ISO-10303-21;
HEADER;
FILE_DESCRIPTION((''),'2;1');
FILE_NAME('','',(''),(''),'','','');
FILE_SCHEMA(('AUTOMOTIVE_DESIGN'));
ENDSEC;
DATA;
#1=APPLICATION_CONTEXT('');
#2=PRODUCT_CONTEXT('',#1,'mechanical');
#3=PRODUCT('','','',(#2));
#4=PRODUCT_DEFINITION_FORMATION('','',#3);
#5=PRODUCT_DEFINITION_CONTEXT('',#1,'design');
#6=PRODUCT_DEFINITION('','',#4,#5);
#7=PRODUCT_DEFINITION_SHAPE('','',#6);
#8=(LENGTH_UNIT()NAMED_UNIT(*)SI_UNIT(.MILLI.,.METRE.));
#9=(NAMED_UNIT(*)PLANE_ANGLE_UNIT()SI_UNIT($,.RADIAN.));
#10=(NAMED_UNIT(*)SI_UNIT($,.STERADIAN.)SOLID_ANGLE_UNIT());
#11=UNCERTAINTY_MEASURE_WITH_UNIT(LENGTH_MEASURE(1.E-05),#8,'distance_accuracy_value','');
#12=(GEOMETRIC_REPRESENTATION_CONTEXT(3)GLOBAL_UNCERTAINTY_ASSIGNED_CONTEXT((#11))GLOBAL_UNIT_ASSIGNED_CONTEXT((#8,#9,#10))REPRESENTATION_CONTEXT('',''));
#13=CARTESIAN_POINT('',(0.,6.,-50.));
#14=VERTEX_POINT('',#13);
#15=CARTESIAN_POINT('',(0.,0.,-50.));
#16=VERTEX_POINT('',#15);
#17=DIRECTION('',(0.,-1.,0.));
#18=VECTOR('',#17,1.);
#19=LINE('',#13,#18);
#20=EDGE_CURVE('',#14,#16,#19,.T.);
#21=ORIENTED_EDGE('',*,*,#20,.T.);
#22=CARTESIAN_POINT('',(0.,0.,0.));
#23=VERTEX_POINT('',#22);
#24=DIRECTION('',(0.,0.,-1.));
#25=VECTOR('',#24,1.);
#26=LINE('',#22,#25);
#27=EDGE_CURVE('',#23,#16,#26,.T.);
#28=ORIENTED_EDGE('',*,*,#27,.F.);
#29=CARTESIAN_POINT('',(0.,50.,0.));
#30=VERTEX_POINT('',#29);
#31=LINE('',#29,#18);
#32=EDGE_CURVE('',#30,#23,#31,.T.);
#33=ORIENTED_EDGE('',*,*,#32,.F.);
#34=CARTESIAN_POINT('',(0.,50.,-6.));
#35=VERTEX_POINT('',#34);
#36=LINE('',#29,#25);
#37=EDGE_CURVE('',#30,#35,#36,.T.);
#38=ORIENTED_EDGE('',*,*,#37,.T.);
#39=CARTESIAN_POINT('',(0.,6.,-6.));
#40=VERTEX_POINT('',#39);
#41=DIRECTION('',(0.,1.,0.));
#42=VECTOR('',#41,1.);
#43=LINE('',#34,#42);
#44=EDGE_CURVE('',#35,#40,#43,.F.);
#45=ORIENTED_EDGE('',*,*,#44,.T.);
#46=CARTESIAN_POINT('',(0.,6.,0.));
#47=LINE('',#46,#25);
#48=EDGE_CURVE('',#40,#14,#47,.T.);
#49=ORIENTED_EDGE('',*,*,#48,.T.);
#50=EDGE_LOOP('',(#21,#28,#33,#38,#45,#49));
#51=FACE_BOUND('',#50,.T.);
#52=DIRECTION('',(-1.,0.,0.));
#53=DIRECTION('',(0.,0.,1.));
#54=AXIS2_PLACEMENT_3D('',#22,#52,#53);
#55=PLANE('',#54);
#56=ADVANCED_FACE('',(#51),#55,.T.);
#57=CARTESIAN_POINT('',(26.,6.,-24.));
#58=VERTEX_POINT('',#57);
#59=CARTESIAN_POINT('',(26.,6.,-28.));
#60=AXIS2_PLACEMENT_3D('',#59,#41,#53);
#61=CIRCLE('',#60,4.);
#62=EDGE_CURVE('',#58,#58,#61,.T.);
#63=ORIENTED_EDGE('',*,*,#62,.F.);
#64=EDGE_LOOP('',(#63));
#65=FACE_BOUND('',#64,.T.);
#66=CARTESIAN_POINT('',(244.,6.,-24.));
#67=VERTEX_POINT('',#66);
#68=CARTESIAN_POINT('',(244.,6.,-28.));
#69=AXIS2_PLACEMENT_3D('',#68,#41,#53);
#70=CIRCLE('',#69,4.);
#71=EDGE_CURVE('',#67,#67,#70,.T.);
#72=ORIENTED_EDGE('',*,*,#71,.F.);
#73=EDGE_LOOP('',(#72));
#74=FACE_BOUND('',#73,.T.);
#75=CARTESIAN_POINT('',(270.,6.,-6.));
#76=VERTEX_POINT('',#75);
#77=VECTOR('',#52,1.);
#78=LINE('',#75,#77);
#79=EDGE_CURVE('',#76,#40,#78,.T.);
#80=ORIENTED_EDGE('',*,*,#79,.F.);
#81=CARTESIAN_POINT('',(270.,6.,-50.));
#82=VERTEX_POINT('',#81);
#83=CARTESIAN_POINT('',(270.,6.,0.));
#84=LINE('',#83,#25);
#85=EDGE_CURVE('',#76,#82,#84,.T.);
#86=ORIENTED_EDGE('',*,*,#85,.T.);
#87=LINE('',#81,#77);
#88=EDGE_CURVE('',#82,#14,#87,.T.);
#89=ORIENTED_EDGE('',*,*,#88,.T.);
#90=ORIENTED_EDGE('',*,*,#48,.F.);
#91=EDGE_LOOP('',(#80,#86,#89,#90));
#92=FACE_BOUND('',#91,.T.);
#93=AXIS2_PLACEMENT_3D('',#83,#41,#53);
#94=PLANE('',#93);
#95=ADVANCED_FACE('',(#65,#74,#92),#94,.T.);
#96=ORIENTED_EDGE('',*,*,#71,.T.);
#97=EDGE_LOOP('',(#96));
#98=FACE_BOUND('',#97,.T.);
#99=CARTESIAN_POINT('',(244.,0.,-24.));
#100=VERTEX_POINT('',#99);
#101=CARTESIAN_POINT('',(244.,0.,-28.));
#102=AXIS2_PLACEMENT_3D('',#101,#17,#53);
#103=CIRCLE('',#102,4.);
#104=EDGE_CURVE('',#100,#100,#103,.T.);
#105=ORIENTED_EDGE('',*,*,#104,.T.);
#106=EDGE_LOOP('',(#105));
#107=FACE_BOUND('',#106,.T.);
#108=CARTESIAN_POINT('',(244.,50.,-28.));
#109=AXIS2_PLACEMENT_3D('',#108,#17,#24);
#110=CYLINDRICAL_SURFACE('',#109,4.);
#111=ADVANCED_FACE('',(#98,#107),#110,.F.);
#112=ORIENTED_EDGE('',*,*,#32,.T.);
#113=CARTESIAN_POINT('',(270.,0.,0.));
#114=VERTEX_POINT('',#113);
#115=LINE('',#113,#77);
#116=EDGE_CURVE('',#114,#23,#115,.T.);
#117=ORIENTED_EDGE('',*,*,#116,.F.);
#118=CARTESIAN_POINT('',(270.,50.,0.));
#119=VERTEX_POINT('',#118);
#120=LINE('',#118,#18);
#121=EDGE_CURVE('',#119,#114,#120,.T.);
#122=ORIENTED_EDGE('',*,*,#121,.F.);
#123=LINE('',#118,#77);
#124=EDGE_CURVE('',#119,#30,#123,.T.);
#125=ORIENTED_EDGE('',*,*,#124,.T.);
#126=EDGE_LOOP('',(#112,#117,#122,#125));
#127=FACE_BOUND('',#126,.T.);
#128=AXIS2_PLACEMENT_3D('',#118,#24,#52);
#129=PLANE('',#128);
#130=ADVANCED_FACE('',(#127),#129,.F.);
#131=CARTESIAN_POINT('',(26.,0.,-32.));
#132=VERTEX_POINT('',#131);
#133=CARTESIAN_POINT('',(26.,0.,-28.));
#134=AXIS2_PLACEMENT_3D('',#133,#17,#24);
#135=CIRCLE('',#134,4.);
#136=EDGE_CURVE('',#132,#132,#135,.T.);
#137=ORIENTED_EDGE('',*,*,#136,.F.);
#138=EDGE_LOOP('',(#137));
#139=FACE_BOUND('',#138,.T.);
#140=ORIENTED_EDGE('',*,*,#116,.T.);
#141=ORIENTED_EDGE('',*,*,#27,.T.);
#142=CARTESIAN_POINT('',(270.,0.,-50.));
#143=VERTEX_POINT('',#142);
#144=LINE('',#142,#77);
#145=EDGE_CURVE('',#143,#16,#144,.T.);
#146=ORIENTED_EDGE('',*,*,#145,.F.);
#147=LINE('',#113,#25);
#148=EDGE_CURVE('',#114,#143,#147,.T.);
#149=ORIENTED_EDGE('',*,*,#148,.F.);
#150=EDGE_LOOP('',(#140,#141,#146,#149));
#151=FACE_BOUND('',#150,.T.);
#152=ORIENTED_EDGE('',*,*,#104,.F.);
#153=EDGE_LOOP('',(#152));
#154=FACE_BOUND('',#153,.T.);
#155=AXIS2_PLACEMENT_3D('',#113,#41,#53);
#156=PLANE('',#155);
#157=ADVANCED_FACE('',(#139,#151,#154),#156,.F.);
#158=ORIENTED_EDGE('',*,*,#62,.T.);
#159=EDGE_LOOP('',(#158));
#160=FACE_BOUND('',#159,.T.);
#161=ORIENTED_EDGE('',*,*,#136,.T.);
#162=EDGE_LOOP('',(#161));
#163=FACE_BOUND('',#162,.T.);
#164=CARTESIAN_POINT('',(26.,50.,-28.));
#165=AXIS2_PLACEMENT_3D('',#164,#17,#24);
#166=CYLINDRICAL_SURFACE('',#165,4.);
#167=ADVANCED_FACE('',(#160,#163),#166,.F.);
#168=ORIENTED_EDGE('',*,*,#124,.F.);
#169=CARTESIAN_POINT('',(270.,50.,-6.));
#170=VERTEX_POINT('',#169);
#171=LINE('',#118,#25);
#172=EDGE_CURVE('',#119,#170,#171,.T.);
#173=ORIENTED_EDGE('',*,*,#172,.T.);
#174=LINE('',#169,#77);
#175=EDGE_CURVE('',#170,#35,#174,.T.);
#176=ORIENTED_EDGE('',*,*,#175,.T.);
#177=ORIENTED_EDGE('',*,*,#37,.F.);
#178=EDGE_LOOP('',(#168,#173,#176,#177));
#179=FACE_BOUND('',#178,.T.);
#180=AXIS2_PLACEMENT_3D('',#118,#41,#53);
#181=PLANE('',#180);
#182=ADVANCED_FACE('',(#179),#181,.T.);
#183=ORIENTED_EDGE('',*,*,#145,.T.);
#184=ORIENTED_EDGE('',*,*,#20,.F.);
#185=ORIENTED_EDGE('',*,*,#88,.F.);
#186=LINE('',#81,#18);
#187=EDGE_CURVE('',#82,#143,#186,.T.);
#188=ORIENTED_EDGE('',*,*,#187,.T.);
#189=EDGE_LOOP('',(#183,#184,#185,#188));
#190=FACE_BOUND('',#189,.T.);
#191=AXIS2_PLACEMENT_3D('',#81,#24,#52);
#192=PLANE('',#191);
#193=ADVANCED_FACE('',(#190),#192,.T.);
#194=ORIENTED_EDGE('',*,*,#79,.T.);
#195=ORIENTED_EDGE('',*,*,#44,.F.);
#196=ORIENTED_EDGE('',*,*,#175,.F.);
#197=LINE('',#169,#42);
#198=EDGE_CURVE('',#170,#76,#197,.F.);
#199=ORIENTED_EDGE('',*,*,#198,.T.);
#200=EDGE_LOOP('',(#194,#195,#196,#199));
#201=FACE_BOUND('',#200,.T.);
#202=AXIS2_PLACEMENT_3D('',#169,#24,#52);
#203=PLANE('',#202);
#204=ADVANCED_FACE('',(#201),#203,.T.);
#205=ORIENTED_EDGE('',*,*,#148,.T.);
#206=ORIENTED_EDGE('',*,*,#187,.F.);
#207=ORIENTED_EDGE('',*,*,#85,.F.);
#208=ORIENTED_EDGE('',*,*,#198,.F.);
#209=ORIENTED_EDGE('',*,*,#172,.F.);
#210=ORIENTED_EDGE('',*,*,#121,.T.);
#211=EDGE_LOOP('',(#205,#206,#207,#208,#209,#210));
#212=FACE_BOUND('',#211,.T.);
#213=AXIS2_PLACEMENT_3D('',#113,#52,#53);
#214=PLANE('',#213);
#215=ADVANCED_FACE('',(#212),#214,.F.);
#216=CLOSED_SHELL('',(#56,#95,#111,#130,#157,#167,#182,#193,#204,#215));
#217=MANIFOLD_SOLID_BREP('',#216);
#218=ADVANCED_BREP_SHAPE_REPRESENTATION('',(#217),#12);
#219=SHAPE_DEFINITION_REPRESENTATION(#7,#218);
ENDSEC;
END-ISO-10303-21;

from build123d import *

# Parameters (mm, degrees)
EXTRUDE_2_DEPTH     = 270
SKETCH_2_R          = 4
CUT_EXTRUDE_1_DEPTH = 51


with BuildPart() as part:
    # Эскиз1 → Вытянуть-Тонкостенный2 (new body)
    with BuildSketch(Plane(origin=(0, 0, 0), x_dir=(0, 0, -1), z_dir=(1, 0, 0))):
        Polygon((0, 50), (0, 0), (50, 0), (50, 6), (6, 6), (6, 50), align=None)
    extrude(amount=EXTRUDE_2_DEPTH)

    # Эскиз2 → Вырез-Вытянуть1 (cut, through all)
    with BuildSketch(Plane.XZ):
        with Locations((26, -28)):
            Circle(SKETCH_2_R)
        with Locations((244, -28)):
            Circle(SKETCH_2_R)
    extrude(amount=-CUT_EXTRUDE_1_DEPTH, mode=Mode.SUBTRACT)


solid = part.part
